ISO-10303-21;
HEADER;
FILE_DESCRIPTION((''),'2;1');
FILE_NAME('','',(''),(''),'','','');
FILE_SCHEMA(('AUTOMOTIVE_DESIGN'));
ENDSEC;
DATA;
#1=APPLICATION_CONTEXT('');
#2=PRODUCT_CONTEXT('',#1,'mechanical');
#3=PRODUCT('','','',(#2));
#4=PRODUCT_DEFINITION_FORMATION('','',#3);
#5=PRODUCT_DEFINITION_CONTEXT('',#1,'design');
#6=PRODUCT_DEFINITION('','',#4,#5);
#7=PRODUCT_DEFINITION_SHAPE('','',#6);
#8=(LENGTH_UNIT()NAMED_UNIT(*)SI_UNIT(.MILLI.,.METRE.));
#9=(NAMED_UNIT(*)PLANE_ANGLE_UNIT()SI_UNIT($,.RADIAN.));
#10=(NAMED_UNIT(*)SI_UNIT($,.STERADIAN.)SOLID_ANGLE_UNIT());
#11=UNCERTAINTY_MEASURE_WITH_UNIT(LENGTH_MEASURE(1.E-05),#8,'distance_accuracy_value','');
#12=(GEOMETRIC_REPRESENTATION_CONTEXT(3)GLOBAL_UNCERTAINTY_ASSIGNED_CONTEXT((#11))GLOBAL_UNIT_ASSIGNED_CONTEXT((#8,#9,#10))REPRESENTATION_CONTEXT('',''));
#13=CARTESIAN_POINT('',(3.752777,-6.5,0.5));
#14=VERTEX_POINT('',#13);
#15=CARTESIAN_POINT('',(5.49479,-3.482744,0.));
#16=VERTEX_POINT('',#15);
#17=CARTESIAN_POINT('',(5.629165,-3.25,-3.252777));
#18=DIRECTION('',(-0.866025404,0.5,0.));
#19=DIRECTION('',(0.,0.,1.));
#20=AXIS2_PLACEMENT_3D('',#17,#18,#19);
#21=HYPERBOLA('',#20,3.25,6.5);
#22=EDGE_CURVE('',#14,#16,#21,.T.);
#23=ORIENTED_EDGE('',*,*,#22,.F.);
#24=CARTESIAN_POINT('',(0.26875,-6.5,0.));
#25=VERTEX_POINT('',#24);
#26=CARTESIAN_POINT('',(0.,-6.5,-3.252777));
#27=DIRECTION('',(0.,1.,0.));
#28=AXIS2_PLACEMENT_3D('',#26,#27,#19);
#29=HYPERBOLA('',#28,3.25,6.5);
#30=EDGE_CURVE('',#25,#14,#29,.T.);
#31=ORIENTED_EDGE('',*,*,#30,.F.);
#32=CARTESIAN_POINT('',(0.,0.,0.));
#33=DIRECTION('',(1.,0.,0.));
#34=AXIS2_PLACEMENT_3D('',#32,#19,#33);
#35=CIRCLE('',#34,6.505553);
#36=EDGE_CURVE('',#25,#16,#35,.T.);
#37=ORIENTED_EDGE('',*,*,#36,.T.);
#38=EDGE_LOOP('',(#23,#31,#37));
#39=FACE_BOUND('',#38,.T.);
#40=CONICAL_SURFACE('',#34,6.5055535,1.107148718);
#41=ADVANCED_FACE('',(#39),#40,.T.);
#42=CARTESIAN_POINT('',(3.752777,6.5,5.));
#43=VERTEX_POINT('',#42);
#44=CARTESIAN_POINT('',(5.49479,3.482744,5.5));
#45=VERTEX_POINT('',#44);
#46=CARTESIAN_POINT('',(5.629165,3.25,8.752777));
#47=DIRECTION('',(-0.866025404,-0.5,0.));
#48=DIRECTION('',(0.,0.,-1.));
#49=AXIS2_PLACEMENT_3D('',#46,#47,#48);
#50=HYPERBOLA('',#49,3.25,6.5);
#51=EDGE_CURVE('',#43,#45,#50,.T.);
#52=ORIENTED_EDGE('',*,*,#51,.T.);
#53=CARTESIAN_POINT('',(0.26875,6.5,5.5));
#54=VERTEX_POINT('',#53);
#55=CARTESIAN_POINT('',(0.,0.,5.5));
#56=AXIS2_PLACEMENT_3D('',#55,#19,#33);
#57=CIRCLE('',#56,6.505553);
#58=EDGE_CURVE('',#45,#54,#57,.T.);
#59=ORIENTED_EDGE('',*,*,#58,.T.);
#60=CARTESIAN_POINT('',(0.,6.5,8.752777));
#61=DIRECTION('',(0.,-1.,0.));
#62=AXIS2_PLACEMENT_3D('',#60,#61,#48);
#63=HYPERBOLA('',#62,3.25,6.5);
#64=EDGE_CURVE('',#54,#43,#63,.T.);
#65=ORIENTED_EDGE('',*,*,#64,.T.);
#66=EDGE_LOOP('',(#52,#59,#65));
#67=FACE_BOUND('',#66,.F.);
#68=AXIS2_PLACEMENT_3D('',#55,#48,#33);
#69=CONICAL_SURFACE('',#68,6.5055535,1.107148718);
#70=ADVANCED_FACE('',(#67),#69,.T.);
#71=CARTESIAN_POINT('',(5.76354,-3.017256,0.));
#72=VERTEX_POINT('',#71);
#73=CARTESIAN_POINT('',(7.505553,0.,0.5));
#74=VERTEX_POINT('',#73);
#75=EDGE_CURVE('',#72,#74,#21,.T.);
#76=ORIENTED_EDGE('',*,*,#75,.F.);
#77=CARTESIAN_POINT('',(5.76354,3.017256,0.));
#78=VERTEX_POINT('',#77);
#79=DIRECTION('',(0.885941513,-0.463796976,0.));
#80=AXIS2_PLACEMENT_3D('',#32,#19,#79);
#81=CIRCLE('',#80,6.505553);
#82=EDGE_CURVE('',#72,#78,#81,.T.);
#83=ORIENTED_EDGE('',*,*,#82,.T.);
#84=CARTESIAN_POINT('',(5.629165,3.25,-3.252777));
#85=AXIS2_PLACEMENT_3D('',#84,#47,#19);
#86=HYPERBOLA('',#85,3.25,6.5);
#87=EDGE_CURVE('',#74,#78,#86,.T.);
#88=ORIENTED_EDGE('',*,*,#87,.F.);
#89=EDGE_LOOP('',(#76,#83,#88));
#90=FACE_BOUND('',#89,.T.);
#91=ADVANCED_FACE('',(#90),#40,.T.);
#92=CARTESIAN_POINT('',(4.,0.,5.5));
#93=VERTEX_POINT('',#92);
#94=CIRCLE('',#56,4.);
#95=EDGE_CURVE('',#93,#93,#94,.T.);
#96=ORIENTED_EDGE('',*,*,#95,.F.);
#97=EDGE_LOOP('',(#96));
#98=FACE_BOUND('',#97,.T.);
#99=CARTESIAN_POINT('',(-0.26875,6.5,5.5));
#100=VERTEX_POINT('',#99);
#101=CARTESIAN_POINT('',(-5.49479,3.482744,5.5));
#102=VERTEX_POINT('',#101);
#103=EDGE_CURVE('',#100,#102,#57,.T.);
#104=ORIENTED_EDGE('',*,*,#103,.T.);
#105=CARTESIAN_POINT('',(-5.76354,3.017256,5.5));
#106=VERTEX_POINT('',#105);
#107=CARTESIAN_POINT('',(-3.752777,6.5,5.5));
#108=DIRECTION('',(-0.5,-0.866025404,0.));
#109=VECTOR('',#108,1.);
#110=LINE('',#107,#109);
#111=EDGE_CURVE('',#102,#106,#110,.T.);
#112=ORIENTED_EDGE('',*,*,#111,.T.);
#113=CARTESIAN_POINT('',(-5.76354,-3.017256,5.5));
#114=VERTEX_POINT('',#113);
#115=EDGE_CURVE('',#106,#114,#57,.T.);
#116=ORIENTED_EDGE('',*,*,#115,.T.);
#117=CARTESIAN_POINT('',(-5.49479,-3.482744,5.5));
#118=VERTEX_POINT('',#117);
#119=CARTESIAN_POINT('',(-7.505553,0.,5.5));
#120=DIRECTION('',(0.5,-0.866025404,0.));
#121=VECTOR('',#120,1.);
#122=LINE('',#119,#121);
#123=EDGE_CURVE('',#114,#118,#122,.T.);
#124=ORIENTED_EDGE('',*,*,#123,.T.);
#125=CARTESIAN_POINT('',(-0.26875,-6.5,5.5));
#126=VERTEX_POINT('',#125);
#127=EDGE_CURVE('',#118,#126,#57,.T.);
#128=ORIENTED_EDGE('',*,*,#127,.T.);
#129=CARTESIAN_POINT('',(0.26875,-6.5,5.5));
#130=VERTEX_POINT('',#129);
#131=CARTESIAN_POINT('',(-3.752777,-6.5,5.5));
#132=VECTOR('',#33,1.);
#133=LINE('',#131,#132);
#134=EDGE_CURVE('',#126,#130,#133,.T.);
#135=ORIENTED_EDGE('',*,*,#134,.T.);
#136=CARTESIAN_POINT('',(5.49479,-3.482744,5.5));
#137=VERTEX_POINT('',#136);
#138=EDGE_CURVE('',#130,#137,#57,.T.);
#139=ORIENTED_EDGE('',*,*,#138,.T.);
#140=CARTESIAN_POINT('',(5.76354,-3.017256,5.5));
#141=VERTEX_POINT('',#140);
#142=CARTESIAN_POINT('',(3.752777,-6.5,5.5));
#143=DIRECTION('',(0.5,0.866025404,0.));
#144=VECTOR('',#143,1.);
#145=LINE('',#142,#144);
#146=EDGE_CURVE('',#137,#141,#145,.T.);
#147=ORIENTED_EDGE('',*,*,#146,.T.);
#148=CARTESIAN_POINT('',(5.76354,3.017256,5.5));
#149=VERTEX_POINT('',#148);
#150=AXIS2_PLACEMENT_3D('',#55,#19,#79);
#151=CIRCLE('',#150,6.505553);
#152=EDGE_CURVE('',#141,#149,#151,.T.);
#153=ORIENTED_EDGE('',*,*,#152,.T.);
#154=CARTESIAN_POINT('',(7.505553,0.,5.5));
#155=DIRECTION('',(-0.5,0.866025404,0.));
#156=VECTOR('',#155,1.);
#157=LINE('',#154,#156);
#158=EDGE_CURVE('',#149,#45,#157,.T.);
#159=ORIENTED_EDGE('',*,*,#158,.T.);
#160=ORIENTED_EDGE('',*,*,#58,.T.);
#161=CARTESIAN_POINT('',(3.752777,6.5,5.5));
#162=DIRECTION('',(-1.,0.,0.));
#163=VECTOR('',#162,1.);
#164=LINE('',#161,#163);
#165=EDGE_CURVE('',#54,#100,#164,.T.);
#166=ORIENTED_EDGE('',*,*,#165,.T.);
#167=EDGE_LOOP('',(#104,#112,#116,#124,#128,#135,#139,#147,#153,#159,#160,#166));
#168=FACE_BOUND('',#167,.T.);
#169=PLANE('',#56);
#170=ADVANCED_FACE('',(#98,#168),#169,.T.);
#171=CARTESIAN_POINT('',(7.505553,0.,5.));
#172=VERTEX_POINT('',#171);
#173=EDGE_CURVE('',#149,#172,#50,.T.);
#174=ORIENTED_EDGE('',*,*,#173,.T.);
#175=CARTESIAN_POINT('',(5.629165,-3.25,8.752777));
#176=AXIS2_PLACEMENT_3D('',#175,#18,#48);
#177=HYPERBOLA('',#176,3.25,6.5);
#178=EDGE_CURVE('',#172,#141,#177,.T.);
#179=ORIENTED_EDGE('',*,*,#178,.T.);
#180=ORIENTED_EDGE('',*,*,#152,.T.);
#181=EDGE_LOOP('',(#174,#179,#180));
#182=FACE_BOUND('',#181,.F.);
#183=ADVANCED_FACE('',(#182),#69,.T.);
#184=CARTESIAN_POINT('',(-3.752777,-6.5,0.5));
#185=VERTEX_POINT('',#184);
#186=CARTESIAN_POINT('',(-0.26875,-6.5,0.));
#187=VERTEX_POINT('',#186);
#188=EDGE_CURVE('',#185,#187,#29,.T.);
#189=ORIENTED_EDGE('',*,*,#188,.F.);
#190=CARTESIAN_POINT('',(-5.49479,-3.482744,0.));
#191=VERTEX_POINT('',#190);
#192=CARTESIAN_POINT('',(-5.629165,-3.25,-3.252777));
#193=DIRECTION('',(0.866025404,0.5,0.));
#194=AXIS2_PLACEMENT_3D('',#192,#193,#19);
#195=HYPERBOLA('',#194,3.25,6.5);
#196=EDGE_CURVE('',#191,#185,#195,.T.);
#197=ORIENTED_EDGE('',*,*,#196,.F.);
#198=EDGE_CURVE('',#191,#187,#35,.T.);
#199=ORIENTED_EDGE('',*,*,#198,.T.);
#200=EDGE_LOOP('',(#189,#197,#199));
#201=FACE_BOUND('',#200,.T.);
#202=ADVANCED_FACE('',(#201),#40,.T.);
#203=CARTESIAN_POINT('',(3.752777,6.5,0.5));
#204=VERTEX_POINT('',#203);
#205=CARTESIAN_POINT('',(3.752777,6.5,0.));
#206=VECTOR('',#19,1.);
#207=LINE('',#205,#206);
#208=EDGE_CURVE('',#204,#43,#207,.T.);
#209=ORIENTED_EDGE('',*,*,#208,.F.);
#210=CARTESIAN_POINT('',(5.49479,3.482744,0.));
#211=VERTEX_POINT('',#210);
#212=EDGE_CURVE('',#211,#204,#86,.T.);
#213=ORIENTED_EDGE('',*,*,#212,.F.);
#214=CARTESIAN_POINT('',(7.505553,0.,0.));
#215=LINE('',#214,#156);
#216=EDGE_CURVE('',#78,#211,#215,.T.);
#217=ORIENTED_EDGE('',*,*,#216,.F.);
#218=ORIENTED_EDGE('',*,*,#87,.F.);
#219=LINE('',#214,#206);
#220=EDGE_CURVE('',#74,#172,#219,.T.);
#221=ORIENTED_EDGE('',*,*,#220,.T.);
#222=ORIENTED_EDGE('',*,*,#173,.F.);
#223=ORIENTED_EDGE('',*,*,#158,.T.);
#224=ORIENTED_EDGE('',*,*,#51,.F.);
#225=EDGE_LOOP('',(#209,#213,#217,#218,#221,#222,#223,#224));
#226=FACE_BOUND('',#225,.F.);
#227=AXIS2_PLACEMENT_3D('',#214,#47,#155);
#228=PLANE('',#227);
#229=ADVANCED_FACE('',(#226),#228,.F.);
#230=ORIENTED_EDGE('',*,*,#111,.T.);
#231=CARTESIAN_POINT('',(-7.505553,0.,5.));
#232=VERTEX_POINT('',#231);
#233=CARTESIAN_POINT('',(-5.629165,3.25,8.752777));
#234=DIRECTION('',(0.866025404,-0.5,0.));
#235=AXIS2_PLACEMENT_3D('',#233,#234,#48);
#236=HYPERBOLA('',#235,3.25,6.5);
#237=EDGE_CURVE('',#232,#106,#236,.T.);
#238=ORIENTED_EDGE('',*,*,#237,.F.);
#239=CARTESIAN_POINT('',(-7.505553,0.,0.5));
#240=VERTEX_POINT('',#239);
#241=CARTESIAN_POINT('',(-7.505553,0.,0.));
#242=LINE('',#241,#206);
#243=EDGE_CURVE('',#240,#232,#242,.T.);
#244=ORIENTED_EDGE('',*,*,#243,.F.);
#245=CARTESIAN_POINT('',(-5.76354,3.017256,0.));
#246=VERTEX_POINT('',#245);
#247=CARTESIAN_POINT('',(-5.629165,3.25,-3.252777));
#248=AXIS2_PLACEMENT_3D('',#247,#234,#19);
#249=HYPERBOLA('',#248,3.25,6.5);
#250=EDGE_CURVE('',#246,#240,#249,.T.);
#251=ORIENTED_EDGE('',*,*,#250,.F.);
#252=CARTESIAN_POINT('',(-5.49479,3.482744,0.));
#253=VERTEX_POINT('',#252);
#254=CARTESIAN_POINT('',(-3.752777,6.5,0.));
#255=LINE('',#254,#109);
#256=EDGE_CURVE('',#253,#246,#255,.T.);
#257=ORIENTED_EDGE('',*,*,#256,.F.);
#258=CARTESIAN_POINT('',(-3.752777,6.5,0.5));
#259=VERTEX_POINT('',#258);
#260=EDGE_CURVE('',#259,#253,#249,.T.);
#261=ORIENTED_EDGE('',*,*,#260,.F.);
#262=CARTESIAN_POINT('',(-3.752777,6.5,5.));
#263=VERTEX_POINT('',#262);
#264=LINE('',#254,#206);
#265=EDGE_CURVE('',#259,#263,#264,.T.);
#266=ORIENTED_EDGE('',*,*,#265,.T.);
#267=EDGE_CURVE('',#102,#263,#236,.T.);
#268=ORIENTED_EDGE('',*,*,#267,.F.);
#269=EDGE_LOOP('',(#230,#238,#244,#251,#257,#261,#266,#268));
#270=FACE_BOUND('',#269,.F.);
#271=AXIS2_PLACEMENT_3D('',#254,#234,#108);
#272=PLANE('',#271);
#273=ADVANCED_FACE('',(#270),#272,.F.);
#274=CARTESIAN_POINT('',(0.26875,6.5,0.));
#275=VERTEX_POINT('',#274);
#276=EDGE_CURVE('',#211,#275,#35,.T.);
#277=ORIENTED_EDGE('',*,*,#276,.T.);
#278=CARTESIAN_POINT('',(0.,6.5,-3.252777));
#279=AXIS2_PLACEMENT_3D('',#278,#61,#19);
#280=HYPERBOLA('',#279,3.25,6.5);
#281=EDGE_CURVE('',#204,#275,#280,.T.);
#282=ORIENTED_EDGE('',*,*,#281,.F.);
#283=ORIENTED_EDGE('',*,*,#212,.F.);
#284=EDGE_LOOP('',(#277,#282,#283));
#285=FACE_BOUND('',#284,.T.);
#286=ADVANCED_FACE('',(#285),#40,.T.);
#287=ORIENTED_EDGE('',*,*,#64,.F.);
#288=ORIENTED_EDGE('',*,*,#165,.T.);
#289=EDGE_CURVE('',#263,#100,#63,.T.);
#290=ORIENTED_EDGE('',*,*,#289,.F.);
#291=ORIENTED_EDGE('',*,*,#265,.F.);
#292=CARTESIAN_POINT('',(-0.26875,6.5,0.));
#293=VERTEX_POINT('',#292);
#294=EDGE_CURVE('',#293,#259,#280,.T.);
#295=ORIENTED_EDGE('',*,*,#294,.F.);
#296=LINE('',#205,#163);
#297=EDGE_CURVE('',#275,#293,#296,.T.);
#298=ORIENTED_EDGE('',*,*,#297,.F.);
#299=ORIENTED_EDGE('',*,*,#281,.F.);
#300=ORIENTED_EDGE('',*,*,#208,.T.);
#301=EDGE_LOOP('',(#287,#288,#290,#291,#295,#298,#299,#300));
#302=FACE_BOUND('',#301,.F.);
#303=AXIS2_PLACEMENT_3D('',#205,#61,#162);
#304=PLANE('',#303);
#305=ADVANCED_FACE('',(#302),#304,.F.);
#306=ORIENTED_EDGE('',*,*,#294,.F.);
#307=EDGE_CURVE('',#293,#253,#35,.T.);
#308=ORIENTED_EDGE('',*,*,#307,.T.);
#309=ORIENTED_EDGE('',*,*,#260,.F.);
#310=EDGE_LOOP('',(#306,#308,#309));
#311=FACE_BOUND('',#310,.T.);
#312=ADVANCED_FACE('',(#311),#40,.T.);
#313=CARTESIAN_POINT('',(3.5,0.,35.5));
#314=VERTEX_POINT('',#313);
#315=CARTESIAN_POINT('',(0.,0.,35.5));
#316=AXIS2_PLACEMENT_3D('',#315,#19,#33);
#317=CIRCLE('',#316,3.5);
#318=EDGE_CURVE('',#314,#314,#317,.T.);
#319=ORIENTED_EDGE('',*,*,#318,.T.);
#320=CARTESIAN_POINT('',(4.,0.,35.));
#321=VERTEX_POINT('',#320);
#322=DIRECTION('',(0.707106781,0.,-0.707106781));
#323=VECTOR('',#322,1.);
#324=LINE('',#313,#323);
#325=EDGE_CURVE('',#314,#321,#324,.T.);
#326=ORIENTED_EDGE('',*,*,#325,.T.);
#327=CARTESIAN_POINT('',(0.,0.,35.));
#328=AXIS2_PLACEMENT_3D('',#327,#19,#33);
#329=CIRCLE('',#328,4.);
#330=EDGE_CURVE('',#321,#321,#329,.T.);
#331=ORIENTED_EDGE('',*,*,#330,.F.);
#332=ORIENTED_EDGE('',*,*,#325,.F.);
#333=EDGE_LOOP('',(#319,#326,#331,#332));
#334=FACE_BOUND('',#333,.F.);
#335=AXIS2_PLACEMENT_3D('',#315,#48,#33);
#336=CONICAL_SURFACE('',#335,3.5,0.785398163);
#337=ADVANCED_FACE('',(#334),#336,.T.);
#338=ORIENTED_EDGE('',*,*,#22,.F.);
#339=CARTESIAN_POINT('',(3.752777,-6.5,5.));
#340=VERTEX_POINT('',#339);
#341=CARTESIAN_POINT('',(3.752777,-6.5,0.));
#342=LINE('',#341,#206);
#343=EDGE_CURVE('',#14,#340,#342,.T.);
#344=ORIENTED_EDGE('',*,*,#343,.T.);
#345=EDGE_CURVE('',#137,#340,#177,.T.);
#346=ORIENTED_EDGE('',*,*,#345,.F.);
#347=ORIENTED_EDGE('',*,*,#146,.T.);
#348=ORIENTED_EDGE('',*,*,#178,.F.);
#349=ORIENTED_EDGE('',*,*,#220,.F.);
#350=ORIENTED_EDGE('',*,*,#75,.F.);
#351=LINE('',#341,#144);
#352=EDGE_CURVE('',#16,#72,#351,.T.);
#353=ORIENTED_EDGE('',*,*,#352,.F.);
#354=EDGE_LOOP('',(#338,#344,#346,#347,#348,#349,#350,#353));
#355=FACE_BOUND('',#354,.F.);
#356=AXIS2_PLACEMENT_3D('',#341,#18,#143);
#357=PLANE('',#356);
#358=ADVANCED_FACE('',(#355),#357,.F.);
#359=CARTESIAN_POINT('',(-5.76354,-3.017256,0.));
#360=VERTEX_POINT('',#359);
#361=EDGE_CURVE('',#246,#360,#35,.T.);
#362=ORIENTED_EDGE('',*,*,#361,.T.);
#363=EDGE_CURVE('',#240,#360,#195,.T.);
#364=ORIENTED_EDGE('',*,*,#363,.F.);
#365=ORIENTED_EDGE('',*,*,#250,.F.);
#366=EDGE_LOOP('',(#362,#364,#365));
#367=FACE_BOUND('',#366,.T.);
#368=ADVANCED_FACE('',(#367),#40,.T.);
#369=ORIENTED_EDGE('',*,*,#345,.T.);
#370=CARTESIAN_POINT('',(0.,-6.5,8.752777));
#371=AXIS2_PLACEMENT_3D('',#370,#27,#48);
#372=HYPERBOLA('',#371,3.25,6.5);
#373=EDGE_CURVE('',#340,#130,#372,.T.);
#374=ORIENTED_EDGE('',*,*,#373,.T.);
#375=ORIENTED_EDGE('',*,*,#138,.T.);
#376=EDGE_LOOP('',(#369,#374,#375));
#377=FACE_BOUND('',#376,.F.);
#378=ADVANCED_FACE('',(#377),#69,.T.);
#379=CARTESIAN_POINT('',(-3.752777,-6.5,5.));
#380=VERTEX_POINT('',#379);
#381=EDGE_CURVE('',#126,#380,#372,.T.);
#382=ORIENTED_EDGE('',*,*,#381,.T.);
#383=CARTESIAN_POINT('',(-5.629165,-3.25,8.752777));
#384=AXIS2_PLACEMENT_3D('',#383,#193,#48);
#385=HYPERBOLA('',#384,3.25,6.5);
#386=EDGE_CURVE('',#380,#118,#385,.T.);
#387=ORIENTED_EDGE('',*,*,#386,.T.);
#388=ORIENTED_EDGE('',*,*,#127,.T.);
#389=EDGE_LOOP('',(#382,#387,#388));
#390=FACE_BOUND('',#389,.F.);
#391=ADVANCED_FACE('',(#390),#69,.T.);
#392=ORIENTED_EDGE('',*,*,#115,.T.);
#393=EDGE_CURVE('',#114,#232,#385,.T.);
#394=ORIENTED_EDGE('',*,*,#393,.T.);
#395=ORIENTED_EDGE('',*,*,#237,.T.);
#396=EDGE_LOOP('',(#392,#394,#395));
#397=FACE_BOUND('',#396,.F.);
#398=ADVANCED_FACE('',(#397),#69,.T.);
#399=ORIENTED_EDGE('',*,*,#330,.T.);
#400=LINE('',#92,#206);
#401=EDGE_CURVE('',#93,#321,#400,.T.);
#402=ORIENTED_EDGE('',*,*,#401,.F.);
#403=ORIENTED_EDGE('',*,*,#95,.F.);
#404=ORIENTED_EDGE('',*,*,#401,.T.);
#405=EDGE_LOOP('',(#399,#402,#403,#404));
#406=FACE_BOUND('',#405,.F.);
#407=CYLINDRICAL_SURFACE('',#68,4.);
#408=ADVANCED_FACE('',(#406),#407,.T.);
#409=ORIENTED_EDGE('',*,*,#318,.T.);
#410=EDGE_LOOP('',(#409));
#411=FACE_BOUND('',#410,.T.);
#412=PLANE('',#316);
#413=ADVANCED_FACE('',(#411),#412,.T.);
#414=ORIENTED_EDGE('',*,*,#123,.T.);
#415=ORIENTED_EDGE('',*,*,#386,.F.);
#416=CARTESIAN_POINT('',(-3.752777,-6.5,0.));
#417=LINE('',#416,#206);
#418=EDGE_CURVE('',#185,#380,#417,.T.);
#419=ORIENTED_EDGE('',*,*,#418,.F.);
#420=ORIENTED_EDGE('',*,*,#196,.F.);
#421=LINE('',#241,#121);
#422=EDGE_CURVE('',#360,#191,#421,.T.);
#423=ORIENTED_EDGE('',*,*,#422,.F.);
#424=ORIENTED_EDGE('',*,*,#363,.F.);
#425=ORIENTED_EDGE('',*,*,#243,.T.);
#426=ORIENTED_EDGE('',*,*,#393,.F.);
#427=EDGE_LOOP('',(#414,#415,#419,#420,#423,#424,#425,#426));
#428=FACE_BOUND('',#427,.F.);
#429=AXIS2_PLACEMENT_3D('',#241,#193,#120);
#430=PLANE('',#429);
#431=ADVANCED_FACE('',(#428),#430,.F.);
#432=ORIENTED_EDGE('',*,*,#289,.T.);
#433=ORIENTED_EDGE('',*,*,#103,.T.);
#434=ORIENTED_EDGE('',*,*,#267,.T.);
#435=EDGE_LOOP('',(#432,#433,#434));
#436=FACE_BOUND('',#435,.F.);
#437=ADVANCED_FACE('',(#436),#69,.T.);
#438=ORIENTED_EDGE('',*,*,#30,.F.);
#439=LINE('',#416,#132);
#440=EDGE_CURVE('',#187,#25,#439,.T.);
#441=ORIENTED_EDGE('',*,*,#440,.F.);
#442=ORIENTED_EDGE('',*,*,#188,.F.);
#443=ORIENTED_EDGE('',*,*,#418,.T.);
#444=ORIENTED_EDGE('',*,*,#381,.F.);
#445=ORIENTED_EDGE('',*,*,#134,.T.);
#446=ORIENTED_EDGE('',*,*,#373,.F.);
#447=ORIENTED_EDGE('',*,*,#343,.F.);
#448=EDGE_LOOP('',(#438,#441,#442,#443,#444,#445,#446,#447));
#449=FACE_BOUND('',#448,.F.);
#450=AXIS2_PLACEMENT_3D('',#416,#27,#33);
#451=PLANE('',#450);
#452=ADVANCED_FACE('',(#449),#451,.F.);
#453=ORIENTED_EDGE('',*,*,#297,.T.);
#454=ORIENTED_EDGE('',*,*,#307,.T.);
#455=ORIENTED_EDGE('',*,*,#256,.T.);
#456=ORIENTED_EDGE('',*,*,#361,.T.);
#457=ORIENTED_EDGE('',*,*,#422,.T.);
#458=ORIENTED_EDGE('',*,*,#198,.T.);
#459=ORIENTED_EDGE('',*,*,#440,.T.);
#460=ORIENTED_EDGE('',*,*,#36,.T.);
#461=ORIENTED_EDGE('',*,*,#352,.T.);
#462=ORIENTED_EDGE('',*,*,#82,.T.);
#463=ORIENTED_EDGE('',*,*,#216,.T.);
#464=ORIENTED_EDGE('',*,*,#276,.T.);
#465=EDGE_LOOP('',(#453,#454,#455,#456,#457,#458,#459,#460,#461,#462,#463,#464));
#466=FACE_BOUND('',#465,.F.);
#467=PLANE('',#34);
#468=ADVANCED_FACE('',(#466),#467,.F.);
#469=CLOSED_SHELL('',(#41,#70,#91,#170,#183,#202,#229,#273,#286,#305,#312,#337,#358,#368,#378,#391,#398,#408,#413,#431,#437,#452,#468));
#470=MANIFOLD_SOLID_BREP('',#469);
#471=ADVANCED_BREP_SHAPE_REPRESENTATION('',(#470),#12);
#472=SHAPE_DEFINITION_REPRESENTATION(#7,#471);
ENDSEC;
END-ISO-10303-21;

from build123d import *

# Parameters (mm, degrees)
PAD008_DEPTH = 5.5
SKETCH029_R  = 4
PAD009_DEPTH = 30


with BuildPart() as part:
    # Sketch028 → Pad008 (new body)
    with BuildSketch(Plane.XY):
        Polygon((7.5055534995, 0), (3.7527767497, 6.5), (-3.7527767497, 6.5), (-7.5055534995, 0), (-3.7527767497, -6.5), (3.7527767497, -6.5), align=None)
    extrude(amount=PAD008_DEPTH)

    # Sketch029 (on Face8 of Pad008) → Pad009 (join)
    with BuildSketch(Plane.XY.offset(5.5)):
        Circle(SKETCH029_R)
    extrude(amount=PAD009_DEPTH)

    # Sketch030 → Groove001 (revolve, cut)
    with BuildSketch(Plane.XZ):
        Polygon((4, 35.5), (3.5, 35.5), (4, 35), align=None)
        Polygon((7.5055534995, 5.5), (6.5055534995, 5.5), (7.5055534995, 5), align=None)
        Polygon((7.5055534995, 0), (6.5055534995, 0), (7.5055534995, 0.5), align=None)
    revolve(axis=Axis((0, 0, 0), (0, 0, 1)), mode=Mode.SUBTRACT)


solid = part.part
